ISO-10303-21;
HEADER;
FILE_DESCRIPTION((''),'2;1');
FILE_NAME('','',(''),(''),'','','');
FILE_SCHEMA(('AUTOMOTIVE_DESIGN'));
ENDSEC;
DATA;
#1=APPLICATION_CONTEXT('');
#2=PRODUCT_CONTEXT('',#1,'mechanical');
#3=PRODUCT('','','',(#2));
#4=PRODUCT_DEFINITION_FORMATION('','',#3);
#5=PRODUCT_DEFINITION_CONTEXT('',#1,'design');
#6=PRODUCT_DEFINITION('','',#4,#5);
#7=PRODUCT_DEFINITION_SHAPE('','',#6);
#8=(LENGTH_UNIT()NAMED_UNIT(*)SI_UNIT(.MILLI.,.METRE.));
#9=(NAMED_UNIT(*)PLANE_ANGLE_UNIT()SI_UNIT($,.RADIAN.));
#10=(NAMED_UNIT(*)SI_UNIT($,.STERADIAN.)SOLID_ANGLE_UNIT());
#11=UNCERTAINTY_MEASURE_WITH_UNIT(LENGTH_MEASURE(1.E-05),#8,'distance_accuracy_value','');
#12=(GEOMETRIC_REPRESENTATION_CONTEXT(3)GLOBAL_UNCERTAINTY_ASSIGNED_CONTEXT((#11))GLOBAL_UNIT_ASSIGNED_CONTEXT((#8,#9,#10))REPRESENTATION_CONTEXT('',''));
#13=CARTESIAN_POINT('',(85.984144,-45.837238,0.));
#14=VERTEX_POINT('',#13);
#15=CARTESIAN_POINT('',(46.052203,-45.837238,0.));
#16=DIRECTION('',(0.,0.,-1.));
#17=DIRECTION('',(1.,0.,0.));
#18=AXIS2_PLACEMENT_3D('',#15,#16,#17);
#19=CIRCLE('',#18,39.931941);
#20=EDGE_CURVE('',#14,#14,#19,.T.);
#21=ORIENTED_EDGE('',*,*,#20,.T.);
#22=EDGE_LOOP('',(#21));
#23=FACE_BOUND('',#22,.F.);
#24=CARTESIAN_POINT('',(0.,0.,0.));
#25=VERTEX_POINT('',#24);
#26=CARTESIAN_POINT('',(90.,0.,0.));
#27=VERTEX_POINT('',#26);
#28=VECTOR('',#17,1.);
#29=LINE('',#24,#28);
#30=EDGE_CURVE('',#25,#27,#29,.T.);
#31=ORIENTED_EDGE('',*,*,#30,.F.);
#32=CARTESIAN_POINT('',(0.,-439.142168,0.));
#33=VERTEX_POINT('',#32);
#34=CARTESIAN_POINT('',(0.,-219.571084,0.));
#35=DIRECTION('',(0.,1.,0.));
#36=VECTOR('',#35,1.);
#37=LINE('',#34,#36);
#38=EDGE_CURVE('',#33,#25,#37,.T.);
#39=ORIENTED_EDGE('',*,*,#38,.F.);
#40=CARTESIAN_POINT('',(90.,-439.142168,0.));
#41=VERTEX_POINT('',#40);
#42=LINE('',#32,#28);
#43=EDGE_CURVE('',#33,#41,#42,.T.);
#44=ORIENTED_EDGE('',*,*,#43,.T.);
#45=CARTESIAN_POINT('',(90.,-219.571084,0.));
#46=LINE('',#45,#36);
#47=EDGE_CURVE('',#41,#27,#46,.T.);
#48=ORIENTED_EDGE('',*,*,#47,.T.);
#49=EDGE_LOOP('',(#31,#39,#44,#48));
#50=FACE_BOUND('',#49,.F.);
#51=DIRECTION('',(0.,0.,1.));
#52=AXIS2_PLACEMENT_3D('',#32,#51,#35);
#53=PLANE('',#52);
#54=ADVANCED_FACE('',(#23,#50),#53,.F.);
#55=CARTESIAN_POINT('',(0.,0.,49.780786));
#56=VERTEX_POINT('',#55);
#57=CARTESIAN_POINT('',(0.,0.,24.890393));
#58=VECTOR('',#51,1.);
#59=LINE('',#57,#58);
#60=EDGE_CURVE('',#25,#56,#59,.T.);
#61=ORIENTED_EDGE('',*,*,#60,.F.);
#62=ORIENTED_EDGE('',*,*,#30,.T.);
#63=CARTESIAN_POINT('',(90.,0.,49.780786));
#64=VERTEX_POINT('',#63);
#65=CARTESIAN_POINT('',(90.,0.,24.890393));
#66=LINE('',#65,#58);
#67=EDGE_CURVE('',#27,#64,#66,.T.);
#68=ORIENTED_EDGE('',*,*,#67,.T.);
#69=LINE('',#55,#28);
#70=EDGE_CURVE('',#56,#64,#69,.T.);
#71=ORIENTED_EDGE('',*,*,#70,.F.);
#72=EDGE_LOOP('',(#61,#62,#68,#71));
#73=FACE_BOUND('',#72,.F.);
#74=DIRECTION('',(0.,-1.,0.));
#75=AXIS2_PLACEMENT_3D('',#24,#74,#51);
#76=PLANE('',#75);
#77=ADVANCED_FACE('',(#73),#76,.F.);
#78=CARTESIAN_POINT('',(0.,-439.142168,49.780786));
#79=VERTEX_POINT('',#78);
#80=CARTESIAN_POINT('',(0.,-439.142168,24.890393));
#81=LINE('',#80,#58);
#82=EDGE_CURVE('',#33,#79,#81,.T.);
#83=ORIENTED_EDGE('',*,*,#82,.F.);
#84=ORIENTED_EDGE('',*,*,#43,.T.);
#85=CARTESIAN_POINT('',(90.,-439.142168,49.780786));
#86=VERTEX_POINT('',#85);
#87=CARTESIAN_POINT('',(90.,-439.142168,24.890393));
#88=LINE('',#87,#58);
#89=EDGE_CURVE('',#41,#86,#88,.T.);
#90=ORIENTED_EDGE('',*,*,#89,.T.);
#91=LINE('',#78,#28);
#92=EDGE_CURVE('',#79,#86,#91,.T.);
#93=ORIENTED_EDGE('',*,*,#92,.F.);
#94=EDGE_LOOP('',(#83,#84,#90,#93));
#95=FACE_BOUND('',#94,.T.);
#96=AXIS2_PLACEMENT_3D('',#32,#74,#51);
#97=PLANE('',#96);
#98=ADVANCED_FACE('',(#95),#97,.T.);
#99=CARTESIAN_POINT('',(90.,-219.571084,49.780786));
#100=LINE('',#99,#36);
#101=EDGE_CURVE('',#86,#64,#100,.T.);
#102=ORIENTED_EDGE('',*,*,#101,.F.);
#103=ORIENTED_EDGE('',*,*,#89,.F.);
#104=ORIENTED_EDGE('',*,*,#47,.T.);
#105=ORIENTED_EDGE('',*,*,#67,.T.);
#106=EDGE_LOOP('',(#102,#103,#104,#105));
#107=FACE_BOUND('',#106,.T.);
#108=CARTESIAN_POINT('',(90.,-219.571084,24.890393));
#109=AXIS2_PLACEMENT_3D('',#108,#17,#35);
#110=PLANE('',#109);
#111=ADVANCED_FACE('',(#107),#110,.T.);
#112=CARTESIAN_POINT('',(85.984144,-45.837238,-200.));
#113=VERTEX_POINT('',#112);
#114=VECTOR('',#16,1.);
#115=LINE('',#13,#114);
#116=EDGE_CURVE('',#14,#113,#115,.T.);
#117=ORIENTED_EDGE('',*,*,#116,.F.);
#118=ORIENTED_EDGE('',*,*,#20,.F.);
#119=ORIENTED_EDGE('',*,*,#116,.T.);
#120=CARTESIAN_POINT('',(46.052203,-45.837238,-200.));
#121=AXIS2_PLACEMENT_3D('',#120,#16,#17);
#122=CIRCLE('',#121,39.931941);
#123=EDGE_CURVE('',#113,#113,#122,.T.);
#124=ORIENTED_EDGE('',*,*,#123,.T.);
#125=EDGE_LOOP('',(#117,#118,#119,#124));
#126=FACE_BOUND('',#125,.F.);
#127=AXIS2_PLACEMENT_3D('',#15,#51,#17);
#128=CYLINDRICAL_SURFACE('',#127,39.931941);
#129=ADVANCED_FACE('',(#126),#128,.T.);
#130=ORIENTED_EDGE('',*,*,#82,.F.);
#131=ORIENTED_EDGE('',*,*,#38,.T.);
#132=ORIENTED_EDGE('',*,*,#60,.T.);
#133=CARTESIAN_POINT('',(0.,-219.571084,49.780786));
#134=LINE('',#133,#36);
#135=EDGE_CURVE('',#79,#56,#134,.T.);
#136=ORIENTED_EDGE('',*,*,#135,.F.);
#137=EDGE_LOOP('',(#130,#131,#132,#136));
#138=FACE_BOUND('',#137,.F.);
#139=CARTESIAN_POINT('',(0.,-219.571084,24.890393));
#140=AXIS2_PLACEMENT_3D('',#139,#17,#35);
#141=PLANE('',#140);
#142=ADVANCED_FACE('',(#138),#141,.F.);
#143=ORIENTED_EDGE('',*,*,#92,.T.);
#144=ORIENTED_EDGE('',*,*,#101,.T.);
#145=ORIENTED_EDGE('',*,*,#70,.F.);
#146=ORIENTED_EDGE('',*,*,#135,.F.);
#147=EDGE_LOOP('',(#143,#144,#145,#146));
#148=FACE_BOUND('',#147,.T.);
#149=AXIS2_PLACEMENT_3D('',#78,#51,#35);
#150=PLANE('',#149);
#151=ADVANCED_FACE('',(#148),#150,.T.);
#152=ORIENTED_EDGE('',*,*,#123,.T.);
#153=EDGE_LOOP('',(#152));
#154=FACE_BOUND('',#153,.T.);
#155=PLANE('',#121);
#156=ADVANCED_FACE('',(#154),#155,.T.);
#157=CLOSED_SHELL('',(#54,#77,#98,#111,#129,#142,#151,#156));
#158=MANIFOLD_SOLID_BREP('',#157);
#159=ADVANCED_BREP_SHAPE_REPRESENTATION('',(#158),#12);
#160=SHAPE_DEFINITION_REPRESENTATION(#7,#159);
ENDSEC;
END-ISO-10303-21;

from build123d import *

# Parameters (mm, degrees)
F0_W     = 439.142168
F0_H     = 49.780786
F1_DEPTH = 90
F3_R     = 39.931941
F4_DEPTH = 200


with BuildPart() as f1:
    # F0 (on Right) → F1 (new body)
    with BuildSketch(Plane.YZ):
        with Locations((-219.571084, 24.890393)):
            Rectangle(F0_W, F0_H)
    extrude(amount=F1_DEPTH)

    # F3 (on face) → F4 (join)
    with BuildSketch(Plane(origin=(0, 0, 0), x_dir=(1, 0, 0), z_dir=(0, 0, -1))):
        with Locations((46.052203, 45.837238)):
            Circle(F3_R)
    extrude(amount=F4_DEPTH)


solid = f1.part
